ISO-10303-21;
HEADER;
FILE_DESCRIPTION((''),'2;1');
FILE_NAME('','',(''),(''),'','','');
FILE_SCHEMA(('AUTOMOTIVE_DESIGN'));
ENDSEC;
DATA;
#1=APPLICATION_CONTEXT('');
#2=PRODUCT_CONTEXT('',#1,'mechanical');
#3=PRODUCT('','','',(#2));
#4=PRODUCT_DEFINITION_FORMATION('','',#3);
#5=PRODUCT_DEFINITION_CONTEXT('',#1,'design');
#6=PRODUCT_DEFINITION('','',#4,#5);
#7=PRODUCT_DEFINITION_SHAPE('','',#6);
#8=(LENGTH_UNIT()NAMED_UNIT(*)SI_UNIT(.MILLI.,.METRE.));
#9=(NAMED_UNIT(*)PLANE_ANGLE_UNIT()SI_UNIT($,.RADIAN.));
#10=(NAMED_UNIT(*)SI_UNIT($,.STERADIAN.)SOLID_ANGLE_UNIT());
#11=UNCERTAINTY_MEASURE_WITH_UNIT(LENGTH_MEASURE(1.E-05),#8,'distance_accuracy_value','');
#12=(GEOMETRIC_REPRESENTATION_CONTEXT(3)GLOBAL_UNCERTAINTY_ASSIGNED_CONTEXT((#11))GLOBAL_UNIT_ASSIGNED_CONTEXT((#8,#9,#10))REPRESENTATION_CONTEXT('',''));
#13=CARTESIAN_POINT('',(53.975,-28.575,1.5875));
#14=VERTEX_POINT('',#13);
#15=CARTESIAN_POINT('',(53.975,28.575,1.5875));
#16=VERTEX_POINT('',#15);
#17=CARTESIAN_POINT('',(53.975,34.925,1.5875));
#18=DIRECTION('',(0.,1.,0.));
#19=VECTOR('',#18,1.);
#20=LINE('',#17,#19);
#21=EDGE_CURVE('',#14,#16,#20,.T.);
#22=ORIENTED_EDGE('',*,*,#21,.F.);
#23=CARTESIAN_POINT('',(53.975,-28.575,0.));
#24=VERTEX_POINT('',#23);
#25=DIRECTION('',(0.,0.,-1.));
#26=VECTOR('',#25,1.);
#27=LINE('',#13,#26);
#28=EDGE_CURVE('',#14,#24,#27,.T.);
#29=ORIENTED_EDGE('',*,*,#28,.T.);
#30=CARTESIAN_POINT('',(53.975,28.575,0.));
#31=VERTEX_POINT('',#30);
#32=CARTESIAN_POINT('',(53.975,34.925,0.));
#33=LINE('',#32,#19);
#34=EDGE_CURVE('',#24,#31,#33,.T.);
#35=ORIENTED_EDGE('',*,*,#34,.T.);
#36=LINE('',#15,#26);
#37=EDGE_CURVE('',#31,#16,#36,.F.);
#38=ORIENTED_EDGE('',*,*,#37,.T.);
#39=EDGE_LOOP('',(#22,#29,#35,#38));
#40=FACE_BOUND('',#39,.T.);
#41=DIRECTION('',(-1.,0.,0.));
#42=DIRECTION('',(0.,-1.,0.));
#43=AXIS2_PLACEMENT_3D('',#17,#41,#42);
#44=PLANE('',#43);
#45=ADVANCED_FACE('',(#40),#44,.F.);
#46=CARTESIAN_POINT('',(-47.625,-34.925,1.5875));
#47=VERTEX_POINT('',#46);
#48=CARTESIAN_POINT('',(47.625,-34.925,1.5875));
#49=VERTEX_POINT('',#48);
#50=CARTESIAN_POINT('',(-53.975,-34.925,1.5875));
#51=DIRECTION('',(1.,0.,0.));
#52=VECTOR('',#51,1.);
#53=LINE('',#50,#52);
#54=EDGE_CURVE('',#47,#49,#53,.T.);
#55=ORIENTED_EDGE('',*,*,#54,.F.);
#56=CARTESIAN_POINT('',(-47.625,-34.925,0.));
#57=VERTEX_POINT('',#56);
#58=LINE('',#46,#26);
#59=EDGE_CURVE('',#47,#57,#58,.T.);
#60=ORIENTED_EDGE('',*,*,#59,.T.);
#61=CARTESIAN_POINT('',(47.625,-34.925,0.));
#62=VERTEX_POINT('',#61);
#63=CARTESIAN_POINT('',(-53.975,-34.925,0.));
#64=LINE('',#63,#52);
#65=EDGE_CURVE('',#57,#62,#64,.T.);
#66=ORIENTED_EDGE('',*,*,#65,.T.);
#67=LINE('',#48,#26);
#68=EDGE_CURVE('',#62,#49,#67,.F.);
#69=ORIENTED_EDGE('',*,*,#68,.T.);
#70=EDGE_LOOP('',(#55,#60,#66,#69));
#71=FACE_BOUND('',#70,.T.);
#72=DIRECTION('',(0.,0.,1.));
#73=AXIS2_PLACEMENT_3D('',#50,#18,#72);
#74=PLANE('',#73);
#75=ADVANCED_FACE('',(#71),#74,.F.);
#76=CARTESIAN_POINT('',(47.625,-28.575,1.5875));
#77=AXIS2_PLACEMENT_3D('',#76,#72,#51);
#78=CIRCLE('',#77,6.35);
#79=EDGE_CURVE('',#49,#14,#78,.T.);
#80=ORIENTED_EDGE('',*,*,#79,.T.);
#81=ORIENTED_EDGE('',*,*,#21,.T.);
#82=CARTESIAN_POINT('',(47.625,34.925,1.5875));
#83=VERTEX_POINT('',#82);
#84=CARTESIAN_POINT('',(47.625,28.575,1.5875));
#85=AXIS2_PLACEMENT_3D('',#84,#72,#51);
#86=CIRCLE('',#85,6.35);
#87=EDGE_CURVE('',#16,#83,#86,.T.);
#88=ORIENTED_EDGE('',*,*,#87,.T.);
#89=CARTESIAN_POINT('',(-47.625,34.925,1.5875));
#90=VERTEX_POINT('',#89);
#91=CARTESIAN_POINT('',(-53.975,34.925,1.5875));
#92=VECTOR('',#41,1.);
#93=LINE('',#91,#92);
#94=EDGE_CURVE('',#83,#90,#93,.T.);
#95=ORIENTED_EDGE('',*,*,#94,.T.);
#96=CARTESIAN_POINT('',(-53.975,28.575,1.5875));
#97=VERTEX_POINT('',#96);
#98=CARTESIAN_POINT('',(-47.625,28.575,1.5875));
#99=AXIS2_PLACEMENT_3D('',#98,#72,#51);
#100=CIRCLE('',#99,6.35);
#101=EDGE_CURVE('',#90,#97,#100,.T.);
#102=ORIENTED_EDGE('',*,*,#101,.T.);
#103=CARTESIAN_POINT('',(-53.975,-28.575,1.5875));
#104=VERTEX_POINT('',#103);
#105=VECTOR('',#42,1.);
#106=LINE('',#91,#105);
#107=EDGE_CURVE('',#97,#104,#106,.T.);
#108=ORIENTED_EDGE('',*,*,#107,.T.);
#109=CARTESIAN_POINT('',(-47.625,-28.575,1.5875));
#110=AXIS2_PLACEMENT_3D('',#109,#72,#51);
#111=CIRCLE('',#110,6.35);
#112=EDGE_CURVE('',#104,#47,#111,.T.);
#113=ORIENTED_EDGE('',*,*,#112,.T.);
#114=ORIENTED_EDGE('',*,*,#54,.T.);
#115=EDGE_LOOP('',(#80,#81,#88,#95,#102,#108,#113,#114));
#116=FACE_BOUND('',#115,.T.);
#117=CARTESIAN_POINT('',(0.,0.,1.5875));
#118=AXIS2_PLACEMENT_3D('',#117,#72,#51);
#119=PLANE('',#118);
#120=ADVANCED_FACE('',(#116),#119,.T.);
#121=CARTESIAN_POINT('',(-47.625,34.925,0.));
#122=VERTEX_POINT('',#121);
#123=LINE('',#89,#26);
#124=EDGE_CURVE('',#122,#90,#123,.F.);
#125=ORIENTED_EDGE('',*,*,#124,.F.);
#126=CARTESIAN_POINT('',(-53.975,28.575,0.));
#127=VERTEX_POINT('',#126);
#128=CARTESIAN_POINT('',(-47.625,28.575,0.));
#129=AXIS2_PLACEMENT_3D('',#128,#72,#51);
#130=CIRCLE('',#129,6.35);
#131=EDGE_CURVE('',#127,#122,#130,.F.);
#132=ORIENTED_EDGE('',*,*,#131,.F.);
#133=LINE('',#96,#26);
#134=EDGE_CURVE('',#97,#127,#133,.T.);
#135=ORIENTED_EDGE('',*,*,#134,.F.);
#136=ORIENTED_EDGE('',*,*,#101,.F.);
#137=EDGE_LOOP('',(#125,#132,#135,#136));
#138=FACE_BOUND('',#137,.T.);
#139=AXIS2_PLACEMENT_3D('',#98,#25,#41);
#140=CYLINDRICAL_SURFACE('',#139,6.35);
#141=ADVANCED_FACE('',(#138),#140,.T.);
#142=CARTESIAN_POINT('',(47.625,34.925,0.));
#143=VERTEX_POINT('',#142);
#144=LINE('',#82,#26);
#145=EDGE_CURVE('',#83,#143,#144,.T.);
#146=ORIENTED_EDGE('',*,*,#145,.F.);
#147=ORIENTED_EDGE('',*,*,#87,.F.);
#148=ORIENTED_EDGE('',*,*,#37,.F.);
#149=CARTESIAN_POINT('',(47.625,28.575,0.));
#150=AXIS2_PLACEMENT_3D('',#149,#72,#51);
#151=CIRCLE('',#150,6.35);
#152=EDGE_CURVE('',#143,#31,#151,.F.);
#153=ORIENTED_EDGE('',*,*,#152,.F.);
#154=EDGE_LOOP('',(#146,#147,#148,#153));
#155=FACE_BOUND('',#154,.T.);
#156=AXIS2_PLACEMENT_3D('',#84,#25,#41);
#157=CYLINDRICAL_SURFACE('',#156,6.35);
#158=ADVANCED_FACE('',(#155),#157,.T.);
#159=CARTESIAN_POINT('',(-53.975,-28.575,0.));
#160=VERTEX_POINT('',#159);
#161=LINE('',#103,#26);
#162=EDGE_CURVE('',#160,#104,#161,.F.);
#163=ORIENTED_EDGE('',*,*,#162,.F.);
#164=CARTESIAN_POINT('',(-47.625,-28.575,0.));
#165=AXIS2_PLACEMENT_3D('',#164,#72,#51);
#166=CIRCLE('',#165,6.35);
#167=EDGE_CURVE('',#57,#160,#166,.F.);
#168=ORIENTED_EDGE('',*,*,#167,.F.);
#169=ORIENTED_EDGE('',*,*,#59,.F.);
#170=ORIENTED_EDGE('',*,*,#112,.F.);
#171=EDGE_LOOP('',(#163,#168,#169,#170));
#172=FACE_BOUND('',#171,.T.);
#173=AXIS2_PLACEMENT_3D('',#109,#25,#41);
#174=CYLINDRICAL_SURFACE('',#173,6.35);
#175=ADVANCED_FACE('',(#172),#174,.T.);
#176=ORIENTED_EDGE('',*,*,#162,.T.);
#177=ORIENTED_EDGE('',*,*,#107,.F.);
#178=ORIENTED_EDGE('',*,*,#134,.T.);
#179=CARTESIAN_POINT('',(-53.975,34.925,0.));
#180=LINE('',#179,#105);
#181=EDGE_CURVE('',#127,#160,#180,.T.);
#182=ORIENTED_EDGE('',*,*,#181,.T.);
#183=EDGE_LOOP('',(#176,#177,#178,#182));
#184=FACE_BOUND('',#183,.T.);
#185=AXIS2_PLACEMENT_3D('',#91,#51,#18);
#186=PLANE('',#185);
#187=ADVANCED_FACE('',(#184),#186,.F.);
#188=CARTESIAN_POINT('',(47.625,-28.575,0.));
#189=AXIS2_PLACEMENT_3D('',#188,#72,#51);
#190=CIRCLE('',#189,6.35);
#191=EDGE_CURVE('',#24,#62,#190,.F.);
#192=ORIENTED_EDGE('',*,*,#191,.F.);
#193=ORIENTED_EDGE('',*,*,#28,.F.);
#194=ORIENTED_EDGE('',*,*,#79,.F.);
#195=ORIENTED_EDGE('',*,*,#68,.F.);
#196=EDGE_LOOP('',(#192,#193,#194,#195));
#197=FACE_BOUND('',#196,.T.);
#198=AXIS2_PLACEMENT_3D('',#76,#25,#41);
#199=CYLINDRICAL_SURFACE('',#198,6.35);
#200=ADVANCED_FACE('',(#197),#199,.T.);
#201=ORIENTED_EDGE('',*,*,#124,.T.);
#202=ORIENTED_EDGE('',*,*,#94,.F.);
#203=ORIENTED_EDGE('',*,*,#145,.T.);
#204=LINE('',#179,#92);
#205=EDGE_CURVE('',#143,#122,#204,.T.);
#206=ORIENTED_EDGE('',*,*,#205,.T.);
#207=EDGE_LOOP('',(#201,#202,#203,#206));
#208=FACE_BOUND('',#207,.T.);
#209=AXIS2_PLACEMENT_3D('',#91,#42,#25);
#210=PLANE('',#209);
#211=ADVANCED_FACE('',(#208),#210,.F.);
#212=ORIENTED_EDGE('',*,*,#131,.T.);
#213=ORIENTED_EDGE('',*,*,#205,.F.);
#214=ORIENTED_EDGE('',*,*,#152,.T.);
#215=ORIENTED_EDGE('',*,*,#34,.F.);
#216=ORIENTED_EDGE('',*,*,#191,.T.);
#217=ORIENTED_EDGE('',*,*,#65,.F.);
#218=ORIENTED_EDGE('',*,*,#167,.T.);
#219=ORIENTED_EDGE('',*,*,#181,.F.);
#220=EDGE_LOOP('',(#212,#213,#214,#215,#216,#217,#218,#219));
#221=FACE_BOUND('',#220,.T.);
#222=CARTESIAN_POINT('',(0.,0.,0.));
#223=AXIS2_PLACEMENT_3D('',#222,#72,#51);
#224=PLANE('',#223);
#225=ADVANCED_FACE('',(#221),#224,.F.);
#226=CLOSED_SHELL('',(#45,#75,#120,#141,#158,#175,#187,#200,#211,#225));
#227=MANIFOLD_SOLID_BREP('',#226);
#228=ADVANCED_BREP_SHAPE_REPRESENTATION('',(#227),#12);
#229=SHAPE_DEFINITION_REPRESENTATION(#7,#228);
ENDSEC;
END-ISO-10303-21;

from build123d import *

# Parameters (mm, degrees)
SKETCH1_W           = 107.95
SKETCH1_H           = 69.85
BOSS_EXTRUDE1_DEPTH = 1.5875
FILLET1_R           = 6.35


with BuildPart() as part:
    # Sketch1 → Boss-Extrude1 (new body)
    with BuildSketch(Plane.XY):
        Rectangle(SKETCH1_W, SKETCH1_H)
    extrude(amount=BOSS_EXTRUDE1_DEPTH)

    # Fillet1
    fillet1_edges = [part.edges().sort_by_distance(p)[0] for p in [
        (53.975, -34.925, 0.79375),
        (-53.975, -34.925, 0.79375),
        (-53.975, 34.925, 0.79375),
        (53.975, 34.925, 0.79375),
    ]]
    fillet(fillet1_edges, radius=FILLET1_R)


solid = part.part
